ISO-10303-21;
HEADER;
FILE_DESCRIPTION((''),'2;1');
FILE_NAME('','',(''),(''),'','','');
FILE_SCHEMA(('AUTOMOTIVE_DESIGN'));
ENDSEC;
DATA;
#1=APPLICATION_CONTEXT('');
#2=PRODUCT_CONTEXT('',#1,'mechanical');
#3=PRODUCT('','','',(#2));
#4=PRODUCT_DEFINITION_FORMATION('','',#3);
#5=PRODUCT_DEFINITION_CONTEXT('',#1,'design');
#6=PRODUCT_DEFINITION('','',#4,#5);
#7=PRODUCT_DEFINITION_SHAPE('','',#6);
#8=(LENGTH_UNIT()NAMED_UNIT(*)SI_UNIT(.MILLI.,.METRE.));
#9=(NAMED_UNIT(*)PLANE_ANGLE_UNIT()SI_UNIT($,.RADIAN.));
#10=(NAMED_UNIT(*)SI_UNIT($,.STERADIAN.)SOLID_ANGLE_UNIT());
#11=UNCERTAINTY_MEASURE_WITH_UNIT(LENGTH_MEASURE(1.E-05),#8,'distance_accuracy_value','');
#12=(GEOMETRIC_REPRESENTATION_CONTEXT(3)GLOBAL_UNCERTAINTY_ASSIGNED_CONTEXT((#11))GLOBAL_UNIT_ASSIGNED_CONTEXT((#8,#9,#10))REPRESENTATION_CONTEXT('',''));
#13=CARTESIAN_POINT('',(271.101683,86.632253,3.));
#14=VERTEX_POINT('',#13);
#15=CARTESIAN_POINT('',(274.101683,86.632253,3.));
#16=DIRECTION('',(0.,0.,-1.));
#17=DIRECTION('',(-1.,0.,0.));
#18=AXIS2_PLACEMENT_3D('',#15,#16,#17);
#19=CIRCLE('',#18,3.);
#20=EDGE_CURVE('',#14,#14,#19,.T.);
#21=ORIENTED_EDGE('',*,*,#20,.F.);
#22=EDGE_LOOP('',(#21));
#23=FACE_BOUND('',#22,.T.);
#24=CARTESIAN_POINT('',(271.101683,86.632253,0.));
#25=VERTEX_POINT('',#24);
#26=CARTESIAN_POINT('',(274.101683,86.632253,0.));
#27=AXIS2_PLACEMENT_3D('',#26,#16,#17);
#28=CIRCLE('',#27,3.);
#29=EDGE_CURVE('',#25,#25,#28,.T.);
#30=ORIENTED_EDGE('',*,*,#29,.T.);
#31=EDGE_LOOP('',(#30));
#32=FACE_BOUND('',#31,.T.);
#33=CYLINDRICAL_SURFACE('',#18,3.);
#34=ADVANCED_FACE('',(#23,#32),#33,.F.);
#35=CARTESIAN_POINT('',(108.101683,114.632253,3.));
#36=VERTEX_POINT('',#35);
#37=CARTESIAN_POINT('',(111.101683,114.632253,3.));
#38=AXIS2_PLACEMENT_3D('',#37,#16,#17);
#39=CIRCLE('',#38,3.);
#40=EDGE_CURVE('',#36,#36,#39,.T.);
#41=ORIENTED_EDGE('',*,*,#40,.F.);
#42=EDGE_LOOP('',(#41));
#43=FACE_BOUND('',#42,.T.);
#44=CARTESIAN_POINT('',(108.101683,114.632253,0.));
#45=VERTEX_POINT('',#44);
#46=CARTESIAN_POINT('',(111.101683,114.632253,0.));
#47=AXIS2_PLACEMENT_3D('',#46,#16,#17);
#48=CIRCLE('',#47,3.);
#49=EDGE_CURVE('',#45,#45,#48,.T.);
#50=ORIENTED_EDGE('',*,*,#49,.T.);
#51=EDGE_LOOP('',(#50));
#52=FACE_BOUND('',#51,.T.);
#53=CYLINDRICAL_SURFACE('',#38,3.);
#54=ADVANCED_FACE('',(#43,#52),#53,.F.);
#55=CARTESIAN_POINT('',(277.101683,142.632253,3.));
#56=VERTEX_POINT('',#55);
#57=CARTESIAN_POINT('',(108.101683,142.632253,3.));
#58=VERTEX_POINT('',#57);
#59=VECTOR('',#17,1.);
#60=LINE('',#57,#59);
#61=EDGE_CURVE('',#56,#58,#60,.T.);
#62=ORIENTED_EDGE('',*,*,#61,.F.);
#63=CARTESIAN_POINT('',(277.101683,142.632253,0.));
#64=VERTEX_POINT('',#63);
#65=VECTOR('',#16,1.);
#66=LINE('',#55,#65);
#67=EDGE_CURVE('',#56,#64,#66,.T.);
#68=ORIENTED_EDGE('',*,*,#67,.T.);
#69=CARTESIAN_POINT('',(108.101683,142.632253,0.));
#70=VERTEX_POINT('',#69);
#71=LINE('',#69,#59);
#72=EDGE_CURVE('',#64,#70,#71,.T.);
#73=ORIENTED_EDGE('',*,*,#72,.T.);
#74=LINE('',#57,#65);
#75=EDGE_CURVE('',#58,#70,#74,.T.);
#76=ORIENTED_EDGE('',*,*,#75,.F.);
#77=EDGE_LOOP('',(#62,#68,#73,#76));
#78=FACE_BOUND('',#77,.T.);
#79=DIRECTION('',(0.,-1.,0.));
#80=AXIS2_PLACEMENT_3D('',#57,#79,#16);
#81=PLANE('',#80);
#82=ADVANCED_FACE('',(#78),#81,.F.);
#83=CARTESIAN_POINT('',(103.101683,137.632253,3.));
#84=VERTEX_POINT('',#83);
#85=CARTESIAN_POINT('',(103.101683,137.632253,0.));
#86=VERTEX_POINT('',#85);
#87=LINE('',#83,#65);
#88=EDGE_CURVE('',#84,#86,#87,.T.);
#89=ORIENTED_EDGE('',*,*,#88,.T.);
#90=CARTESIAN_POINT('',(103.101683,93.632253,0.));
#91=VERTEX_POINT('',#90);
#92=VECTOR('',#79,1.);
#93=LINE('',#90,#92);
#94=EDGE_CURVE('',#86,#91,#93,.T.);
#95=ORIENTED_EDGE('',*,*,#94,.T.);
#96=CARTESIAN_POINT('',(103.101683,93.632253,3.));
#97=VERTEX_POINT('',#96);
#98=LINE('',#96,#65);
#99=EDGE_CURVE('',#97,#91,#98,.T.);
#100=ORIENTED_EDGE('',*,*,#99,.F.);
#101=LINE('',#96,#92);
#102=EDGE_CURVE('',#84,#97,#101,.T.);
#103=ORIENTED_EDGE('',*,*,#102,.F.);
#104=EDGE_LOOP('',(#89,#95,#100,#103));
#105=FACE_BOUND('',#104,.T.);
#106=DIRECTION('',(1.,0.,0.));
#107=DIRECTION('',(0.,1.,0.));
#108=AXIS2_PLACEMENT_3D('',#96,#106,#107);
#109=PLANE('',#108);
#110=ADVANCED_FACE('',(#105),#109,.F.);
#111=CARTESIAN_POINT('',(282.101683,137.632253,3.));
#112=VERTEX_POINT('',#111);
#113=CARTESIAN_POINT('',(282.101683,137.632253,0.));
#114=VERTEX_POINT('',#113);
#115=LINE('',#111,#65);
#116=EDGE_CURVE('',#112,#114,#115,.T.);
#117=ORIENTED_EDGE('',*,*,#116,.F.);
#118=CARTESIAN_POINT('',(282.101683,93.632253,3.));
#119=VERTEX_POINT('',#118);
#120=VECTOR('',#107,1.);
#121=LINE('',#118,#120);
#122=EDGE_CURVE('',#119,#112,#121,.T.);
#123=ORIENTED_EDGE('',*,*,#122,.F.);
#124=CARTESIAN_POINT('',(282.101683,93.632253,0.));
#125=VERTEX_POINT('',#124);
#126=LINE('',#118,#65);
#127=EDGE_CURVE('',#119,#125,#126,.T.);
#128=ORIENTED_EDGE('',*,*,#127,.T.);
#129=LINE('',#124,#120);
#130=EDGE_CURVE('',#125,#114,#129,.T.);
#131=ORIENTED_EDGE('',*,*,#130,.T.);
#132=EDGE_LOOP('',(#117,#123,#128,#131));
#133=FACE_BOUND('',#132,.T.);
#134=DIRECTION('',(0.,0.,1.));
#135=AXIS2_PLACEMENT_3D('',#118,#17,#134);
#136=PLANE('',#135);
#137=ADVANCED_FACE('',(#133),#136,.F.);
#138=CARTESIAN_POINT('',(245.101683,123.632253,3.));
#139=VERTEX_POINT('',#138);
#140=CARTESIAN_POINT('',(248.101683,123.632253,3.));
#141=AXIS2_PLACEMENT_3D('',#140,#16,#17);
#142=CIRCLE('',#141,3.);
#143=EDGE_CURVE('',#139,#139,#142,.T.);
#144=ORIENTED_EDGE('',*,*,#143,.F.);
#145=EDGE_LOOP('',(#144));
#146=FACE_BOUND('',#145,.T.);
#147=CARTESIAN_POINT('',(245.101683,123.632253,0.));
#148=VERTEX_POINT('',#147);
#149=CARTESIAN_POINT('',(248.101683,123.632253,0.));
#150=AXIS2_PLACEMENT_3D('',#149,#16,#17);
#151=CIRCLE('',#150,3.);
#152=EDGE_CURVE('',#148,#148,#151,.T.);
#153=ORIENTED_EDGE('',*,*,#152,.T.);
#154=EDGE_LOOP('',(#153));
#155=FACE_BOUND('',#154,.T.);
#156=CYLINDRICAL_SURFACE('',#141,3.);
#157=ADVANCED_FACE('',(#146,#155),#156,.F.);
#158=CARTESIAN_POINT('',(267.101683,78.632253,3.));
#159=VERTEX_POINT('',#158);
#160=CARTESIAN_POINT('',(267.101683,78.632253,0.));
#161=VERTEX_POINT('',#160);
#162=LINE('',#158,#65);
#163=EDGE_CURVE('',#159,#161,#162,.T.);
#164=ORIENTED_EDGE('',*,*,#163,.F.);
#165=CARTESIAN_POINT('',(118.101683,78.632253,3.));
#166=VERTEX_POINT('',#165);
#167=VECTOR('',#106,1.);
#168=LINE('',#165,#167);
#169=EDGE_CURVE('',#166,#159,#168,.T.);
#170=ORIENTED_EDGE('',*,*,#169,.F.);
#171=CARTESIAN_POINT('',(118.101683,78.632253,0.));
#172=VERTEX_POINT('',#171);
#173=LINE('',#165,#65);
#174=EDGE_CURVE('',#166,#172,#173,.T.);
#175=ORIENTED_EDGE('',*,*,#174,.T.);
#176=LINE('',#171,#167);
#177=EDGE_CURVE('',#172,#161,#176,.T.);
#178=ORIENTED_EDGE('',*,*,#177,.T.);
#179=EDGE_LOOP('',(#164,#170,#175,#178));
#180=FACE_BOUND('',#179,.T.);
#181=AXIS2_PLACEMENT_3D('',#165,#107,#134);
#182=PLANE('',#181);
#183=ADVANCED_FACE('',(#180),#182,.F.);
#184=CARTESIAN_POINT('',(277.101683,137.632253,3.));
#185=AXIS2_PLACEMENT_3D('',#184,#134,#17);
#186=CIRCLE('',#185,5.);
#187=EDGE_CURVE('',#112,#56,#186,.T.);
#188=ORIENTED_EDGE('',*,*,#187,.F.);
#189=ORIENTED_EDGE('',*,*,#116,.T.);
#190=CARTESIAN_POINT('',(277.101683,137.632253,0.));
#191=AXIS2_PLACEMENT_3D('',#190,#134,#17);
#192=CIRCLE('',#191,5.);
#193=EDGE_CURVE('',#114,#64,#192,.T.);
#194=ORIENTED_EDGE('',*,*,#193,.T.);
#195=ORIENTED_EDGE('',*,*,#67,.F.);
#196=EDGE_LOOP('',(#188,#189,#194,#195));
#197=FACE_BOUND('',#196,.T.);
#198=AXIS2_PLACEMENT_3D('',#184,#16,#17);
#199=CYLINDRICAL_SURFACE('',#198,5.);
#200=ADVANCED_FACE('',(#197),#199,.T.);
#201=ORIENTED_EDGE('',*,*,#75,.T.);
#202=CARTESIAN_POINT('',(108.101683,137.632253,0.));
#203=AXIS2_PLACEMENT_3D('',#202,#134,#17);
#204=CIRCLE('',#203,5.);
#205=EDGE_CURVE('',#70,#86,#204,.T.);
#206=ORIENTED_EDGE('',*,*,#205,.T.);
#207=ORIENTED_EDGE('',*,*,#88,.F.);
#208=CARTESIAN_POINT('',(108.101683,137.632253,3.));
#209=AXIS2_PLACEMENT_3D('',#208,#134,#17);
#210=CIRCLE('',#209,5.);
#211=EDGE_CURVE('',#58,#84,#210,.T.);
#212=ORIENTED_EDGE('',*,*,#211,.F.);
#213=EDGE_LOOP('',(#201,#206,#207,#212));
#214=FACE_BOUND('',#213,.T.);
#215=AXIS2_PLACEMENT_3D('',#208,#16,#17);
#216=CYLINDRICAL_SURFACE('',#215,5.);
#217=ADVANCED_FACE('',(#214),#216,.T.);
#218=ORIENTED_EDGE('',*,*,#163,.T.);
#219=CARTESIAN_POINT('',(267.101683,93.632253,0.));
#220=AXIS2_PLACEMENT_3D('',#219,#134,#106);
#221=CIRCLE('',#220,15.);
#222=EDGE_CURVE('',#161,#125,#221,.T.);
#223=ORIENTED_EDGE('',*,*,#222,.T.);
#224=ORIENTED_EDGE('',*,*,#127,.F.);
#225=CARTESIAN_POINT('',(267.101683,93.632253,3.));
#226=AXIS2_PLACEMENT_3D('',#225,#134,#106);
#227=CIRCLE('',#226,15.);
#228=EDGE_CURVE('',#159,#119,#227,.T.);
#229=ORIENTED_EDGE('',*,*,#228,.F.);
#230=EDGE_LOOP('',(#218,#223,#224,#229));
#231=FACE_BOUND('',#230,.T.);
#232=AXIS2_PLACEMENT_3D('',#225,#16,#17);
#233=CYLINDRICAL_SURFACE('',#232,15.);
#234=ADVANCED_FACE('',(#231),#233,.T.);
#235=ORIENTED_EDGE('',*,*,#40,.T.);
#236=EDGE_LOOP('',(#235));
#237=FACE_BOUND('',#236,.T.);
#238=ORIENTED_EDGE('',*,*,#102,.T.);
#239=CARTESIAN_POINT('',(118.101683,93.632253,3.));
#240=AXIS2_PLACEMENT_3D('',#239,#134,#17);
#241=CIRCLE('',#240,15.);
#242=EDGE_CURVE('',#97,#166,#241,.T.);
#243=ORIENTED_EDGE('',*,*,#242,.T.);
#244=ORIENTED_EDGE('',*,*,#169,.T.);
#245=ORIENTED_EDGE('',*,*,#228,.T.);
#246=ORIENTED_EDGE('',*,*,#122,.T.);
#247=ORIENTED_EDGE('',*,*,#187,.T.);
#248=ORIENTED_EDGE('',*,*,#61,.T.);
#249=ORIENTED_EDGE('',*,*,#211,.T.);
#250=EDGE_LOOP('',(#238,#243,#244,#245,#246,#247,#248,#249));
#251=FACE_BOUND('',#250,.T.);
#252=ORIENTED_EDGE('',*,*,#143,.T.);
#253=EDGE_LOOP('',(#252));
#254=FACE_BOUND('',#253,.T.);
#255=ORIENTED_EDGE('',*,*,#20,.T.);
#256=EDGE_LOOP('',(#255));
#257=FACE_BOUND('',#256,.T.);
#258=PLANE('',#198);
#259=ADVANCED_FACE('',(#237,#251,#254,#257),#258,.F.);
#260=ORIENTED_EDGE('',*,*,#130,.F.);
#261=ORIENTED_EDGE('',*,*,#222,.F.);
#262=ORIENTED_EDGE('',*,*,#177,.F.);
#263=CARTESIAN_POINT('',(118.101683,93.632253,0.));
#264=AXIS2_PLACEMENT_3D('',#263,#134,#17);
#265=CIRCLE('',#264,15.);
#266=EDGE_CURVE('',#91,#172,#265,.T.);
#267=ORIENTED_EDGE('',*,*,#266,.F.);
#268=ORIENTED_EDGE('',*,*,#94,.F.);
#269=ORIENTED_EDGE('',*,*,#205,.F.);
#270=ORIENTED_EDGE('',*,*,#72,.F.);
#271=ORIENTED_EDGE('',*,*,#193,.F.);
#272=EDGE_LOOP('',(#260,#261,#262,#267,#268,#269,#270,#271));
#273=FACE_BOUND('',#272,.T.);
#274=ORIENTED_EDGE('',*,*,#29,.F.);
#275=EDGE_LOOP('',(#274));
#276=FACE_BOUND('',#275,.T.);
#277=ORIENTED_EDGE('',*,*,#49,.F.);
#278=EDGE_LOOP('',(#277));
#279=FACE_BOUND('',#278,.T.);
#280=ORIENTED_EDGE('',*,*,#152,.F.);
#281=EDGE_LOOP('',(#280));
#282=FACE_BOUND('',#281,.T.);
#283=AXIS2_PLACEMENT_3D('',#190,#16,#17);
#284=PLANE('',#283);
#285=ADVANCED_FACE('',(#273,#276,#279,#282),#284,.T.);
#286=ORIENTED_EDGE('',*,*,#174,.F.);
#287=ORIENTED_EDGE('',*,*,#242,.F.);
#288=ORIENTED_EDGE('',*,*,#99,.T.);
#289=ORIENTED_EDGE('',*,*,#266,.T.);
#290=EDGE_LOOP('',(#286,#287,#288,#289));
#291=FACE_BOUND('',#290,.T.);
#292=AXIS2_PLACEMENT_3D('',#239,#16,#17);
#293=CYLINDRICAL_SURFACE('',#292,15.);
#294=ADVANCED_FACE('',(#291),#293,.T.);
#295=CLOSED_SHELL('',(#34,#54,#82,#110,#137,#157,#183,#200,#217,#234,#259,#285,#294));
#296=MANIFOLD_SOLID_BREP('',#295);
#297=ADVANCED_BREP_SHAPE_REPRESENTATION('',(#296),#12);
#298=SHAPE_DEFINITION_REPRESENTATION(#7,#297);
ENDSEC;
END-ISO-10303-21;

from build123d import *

# Parameters (mm, degrees)
BOSS_EXTRU_1_DEPTH      = 3
ESQUISSE2_R             = 3
ENL_V_MAT_EXTRU_1_DEPTH = 3


with BuildPart() as part:
    # Esquisse1 → Boss.-Extru.1 (new body)
    with BuildSketch(Plane.XY):
        with BuildLine():
            Line((118.101682981, 78.632253408), (267.101682981, 78.632253408))
            ThreePointArc((267.101682981, 78.632253408), (277.708284699, 83.025651691), (282.101682981, 93.632253408))
            Line((282.101682981, 93.632253408), (282.101682981, 137.632253408))
            ThreePointArc((282.101682981, 137.632253408), (280.637216887, 141.167787314), (277.101682981, 142.632253408))
            Line((277.101682981, 142.632253408), (108.101682981, 142.632253408))
            ThreePointArc((108.101682981, 142.632253408), (104.566149075, 141.167787314), (103.101682981, 137.632253408))
            Line((103.101682981, 137.632253408), (103.101682981, 93.632253408))
            ThreePointArc((103.101682981, 93.632253408), (107.495081263, 83.025651691), (118.101682981, 78.632253408))
        make_face()
    extrude(amount=BOSS_EXTRU_1_DEPTH)

    # Esquisse2 → Enlèv. mat.-Extru.1 (cut)
    with BuildSketch(Plane(origin=(0, 0, 0), x_dir=(-1, 0, 0), z_dir=(0, 0, -1))):
        with Locations((-111.101682981, 114.632253408)):
            Circle(ESQUISSE2_R)
        with Locations((-248.101682981, 123.632253408)):
            Circle(ESQUISSE2_R)
        with Locations((-274.101682981, 86.632253408)):
            Circle(ESQUISSE2_R)
    extrude(amount=-ENL_V_MAT_EXTRU_1_DEPTH, mode=Mode.SUBTRACT)


solid = part.part
